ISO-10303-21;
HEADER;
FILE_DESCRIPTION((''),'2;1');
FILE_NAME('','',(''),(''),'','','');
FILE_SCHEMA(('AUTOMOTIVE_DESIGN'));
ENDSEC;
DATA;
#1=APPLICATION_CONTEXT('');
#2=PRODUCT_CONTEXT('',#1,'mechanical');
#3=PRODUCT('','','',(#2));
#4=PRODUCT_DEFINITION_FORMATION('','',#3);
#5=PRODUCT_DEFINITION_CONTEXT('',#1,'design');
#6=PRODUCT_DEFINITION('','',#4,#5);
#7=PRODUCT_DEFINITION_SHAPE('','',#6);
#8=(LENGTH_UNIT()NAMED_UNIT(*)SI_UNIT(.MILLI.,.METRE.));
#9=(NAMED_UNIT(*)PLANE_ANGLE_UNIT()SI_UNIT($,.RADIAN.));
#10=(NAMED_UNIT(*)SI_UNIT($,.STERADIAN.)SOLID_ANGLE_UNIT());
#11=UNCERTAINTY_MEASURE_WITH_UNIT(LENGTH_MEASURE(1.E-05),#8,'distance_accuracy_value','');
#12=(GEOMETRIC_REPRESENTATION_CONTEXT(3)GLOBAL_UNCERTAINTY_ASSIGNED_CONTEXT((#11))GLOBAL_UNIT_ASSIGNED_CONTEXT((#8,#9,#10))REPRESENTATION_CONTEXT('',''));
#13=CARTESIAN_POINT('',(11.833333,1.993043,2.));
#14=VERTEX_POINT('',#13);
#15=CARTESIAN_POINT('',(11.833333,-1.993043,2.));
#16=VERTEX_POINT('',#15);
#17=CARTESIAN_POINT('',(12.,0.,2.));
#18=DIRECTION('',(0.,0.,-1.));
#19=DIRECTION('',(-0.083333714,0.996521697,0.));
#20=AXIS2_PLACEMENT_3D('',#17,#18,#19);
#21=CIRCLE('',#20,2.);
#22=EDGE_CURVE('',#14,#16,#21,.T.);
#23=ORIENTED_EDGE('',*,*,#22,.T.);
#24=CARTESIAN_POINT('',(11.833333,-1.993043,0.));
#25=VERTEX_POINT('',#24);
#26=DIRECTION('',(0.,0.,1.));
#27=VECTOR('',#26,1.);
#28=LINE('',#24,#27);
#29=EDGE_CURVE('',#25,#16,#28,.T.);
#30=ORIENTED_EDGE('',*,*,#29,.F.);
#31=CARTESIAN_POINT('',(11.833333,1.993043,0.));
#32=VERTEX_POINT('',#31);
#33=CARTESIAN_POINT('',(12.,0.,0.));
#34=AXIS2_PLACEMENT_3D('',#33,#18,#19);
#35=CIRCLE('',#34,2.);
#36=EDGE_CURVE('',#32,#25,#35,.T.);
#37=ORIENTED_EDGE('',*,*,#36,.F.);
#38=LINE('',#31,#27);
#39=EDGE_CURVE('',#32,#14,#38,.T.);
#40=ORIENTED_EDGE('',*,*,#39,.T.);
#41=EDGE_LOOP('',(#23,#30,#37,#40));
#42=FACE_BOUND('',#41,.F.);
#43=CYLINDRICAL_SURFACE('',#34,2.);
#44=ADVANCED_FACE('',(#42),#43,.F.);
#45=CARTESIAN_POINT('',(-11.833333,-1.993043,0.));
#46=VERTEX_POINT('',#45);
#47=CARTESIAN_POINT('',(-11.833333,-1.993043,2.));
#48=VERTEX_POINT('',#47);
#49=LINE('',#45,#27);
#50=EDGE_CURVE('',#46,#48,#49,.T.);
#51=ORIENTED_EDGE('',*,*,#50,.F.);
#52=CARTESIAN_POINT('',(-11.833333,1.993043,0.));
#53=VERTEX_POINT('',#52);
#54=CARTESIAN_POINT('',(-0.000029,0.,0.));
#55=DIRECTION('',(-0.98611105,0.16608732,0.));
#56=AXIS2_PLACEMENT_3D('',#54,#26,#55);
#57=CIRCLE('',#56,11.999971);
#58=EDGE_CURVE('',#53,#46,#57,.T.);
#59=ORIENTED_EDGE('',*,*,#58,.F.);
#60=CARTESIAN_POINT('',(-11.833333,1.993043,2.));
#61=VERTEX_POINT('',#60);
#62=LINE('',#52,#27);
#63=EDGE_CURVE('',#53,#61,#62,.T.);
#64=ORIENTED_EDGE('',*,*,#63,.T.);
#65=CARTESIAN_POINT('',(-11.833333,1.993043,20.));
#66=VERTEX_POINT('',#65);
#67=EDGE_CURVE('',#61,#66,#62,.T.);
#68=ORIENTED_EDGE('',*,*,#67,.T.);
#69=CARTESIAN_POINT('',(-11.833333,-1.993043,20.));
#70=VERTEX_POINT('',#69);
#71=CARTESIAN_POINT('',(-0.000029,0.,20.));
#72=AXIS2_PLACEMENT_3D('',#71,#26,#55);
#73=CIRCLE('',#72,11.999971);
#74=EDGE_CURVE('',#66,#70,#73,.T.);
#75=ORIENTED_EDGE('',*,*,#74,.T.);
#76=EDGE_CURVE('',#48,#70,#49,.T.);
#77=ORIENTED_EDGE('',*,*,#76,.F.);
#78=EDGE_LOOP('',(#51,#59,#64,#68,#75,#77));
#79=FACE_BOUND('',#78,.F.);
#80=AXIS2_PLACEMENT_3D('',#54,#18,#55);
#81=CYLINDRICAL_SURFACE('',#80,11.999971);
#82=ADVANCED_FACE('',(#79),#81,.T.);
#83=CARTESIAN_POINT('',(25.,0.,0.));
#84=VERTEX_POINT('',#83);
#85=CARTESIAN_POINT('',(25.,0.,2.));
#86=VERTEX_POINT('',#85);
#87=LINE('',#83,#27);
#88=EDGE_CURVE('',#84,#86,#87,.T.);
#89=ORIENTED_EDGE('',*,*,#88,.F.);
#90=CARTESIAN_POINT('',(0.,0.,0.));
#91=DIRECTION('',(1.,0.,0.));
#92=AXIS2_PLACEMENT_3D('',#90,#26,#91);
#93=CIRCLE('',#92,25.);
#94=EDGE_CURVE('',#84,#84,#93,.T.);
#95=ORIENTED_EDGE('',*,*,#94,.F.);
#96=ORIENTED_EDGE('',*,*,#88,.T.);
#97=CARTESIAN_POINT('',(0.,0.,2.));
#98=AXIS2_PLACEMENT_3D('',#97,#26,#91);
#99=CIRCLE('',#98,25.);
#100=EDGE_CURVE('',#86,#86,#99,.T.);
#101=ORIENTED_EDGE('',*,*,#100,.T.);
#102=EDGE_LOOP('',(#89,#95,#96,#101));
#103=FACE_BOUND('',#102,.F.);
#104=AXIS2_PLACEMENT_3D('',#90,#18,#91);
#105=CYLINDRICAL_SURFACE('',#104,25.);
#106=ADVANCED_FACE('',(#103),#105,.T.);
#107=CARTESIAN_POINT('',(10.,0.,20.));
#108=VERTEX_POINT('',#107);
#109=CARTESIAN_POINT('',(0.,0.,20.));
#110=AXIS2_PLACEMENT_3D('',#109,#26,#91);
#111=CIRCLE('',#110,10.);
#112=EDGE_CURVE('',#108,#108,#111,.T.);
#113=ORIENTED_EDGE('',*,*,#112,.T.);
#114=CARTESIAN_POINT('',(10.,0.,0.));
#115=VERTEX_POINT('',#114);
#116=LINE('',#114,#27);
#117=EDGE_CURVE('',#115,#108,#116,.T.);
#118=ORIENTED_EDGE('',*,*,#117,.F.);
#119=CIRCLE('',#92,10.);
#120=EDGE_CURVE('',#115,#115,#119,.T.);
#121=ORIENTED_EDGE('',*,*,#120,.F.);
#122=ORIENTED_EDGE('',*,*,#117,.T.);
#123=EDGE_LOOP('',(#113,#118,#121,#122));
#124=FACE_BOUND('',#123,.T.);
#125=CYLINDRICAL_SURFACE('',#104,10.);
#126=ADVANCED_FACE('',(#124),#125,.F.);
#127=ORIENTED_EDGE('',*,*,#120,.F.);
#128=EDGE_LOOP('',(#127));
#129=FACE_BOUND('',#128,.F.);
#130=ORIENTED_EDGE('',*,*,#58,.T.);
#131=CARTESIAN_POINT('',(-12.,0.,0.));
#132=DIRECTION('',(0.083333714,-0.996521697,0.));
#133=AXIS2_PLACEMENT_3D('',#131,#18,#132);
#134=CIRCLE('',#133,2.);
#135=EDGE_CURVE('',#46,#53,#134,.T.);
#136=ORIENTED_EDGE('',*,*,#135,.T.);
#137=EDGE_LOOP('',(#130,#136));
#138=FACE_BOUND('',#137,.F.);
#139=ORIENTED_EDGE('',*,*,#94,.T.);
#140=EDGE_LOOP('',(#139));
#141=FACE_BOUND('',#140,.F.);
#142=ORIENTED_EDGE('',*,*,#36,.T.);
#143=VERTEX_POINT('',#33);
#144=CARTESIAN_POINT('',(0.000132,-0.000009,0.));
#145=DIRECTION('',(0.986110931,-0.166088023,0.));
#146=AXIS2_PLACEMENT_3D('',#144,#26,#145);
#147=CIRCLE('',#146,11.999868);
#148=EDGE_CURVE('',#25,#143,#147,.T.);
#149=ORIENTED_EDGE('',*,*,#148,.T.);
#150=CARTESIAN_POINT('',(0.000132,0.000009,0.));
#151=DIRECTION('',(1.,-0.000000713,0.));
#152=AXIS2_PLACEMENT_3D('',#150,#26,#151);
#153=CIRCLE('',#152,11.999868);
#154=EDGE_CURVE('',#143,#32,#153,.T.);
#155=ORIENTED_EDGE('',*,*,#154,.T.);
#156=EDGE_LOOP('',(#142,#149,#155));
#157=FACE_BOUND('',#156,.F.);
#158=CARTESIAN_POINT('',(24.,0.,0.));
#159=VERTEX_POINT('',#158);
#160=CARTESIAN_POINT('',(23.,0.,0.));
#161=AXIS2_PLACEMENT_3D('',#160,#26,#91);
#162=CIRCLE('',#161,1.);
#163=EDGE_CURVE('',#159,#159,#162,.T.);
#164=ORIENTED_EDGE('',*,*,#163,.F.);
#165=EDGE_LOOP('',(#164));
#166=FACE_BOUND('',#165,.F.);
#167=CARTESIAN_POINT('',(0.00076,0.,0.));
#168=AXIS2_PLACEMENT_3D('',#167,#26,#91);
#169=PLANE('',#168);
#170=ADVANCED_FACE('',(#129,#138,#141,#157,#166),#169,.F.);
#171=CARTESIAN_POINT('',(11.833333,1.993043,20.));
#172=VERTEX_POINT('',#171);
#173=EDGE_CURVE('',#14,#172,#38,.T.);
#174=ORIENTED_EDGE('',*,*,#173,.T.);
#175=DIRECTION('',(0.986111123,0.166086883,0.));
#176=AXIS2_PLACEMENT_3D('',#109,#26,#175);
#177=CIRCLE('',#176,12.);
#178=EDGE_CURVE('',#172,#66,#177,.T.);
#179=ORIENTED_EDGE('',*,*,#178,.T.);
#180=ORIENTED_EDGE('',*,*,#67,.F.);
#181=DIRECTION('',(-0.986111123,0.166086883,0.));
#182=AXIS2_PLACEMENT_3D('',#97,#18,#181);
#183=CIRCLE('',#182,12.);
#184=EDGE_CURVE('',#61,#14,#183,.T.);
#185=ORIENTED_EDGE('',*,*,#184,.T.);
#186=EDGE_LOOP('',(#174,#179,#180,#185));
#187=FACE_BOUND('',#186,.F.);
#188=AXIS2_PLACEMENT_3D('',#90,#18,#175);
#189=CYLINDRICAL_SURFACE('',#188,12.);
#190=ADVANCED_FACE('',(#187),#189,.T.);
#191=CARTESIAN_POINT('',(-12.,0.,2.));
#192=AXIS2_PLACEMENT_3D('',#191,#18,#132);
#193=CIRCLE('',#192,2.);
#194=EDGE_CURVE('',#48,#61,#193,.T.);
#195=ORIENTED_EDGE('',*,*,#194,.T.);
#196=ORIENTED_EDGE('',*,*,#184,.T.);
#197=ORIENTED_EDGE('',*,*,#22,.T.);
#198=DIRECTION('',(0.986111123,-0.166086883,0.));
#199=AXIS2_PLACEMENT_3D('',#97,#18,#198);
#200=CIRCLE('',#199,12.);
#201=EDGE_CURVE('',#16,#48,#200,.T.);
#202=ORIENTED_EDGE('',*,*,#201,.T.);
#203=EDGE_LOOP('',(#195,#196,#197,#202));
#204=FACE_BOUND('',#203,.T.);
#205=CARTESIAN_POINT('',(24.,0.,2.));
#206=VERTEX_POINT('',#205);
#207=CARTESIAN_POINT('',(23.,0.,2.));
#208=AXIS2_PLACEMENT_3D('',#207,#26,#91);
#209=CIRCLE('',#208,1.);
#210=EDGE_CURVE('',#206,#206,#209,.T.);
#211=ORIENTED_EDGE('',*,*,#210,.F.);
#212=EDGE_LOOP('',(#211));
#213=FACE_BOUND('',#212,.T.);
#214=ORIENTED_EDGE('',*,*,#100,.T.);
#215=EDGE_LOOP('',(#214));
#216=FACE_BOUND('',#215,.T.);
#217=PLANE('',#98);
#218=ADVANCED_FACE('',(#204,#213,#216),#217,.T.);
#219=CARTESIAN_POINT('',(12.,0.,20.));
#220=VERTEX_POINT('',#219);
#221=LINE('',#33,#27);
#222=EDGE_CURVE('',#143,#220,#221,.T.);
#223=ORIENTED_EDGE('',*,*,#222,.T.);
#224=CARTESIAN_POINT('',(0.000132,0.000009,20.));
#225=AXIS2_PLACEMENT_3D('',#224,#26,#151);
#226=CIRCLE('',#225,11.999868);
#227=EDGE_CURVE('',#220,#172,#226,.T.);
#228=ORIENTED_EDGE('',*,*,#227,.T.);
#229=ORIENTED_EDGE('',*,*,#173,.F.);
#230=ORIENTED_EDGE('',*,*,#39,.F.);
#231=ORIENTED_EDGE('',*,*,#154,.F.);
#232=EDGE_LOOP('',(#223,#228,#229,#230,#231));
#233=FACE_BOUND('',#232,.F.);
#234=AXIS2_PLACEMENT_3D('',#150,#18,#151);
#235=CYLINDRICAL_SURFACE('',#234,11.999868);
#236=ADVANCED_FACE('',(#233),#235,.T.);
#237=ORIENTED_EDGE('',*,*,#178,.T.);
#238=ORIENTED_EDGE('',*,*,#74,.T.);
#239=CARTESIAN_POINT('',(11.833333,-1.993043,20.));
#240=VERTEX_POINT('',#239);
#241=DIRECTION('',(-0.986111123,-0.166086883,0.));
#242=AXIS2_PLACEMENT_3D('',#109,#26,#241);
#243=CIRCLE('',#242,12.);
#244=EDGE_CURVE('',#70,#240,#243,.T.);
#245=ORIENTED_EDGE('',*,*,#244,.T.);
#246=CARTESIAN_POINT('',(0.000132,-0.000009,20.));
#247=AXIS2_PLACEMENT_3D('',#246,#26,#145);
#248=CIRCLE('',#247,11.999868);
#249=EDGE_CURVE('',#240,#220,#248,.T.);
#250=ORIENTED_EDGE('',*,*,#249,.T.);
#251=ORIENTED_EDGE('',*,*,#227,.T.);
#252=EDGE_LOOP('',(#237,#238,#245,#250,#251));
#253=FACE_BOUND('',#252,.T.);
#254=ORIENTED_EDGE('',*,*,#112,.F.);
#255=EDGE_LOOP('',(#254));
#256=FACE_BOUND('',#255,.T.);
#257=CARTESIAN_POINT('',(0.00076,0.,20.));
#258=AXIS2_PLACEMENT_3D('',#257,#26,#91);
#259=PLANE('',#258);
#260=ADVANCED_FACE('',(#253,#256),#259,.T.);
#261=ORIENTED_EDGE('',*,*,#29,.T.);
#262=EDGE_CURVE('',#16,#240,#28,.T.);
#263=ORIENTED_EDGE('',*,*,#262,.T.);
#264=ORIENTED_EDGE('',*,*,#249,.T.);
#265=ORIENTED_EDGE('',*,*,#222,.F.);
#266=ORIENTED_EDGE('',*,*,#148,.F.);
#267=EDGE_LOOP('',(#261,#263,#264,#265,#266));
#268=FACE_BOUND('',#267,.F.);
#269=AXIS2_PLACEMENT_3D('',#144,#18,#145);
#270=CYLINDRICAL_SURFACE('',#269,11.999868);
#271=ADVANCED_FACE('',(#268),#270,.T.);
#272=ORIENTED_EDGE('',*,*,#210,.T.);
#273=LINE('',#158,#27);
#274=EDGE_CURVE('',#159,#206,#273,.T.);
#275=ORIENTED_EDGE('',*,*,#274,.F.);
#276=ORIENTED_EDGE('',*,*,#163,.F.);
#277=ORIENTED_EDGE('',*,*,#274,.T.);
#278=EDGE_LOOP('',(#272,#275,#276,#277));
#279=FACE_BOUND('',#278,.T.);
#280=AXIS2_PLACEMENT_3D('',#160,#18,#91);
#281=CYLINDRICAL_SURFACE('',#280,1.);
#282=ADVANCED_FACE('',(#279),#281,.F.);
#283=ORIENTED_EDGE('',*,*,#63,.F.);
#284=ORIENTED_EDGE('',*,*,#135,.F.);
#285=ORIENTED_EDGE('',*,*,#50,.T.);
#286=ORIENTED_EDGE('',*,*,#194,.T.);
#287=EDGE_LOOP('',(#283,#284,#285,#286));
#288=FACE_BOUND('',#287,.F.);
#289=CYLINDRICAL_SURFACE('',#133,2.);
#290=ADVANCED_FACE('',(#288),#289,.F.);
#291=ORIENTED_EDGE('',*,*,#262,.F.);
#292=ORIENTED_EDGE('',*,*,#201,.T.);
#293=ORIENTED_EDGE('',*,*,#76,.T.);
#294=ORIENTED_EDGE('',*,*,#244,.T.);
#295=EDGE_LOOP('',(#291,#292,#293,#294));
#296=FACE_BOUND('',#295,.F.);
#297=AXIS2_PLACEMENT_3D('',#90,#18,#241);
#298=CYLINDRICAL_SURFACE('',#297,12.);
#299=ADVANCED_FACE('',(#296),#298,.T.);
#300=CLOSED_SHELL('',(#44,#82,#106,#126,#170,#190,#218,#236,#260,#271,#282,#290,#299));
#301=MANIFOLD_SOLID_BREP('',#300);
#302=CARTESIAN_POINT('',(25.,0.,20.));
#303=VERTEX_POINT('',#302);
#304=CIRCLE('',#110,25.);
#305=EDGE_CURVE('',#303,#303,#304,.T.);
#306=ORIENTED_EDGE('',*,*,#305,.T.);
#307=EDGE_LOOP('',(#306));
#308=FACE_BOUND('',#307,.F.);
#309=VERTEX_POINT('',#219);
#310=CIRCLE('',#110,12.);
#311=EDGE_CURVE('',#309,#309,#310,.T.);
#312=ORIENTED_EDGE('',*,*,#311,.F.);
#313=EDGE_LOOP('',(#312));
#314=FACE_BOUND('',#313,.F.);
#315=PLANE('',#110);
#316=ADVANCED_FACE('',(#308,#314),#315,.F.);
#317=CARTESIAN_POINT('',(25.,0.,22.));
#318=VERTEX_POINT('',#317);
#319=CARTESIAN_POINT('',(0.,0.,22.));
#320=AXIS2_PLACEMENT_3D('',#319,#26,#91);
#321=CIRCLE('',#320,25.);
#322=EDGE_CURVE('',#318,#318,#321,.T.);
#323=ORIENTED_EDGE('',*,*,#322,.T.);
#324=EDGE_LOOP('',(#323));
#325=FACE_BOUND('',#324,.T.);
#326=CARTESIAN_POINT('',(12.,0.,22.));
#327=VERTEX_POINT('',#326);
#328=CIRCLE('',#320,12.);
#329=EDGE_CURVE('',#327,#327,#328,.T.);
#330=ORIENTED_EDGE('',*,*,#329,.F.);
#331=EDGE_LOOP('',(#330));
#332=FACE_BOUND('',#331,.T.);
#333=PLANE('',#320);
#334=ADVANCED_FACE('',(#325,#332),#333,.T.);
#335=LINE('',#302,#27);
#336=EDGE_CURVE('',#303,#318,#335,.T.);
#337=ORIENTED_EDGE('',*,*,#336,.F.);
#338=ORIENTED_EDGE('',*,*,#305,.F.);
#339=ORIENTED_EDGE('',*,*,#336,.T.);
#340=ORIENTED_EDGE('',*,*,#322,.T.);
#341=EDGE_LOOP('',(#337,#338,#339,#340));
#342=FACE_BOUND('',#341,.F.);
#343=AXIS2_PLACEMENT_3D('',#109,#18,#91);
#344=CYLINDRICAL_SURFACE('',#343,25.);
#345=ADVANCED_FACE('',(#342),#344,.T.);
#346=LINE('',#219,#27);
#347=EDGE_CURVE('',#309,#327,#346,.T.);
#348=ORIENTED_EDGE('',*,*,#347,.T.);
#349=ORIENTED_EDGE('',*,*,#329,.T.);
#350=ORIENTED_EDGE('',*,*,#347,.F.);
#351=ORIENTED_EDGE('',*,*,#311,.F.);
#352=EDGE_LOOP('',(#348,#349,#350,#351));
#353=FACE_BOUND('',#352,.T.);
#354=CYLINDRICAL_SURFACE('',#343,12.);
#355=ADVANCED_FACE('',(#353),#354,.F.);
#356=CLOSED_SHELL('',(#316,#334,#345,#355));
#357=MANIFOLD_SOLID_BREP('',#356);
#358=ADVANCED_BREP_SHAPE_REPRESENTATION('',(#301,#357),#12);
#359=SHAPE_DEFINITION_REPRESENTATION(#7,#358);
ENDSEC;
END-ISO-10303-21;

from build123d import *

# Parameters (mm, degrees)
F0_R     = 25
F0_R_2   = 1
F1_DEPTH = 2
F0_R_3   = 10
F2_DEPTH = 20
F3_R     = 25
F3_R_2   = 12
F4_DEPTH = 2


with BuildPart() as f1:
    # F0 (on Top) → F1 (new body)
    with BuildSketch(Plane.XY):
        Circle(F0_R)
        with BuildLine():
            ThreePointArc((-11.833333, 1.993043), (0, 12), (11.833333, 1.993043))
            ThreePointArc((11.833333, 1.993043), (14, 0), (11.833333, -1.993043))
            ThreePointArc((11.833333, -1.993043), (0, -12), (-11.833333, -1.993043))
            ThreePointArc((-11.833333, -1.993043), (-14, 0), (-11.833333, 1.993043))
        make_face(mode=Mode.SUBTRACT)
        with Locations((23, 0)):
            Circle(F0_R_2, mode=Mode.SUBTRACT)
    extrude(amount=F1_DEPTH)

    # F0 (on Top) → F2 (join)
    with BuildSketch(Plane.XY):
        with BuildLine():
            ThreePointArc((11.833333, -1.993043), (11.958261, -1), (12, 0))
            ThreePointArc((12, 0), (11.958261, 1), (11.833333, 1.993043))
            ThreePointArc((11.833333, 1.993043), (0, 12), (-11.833333, 1.993043))
            ThreePointArc((-11.833333, 1.993043), (-12, 0), (-11.833333, -1.993043))
            ThreePointArc((-11.833333, -1.993043), (0, -12), (11.833333, -1.993043))
        make_face()
        Circle(F0_R_3, mode=Mode.SUBTRACT)
    extrude(amount=F2_DEPTH)


with BuildPart() as f4:
    # F3 (on face) → F4 (new body)
    with BuildSketch(Plane.XY.offset(20)):
        Circle(F3_R)
        Circle(F3_R_2, mode=Mode.SUBTRACT)
    extrude(amount=F4_DEPTH)


solid = Compound([f1.part, f4.part])
